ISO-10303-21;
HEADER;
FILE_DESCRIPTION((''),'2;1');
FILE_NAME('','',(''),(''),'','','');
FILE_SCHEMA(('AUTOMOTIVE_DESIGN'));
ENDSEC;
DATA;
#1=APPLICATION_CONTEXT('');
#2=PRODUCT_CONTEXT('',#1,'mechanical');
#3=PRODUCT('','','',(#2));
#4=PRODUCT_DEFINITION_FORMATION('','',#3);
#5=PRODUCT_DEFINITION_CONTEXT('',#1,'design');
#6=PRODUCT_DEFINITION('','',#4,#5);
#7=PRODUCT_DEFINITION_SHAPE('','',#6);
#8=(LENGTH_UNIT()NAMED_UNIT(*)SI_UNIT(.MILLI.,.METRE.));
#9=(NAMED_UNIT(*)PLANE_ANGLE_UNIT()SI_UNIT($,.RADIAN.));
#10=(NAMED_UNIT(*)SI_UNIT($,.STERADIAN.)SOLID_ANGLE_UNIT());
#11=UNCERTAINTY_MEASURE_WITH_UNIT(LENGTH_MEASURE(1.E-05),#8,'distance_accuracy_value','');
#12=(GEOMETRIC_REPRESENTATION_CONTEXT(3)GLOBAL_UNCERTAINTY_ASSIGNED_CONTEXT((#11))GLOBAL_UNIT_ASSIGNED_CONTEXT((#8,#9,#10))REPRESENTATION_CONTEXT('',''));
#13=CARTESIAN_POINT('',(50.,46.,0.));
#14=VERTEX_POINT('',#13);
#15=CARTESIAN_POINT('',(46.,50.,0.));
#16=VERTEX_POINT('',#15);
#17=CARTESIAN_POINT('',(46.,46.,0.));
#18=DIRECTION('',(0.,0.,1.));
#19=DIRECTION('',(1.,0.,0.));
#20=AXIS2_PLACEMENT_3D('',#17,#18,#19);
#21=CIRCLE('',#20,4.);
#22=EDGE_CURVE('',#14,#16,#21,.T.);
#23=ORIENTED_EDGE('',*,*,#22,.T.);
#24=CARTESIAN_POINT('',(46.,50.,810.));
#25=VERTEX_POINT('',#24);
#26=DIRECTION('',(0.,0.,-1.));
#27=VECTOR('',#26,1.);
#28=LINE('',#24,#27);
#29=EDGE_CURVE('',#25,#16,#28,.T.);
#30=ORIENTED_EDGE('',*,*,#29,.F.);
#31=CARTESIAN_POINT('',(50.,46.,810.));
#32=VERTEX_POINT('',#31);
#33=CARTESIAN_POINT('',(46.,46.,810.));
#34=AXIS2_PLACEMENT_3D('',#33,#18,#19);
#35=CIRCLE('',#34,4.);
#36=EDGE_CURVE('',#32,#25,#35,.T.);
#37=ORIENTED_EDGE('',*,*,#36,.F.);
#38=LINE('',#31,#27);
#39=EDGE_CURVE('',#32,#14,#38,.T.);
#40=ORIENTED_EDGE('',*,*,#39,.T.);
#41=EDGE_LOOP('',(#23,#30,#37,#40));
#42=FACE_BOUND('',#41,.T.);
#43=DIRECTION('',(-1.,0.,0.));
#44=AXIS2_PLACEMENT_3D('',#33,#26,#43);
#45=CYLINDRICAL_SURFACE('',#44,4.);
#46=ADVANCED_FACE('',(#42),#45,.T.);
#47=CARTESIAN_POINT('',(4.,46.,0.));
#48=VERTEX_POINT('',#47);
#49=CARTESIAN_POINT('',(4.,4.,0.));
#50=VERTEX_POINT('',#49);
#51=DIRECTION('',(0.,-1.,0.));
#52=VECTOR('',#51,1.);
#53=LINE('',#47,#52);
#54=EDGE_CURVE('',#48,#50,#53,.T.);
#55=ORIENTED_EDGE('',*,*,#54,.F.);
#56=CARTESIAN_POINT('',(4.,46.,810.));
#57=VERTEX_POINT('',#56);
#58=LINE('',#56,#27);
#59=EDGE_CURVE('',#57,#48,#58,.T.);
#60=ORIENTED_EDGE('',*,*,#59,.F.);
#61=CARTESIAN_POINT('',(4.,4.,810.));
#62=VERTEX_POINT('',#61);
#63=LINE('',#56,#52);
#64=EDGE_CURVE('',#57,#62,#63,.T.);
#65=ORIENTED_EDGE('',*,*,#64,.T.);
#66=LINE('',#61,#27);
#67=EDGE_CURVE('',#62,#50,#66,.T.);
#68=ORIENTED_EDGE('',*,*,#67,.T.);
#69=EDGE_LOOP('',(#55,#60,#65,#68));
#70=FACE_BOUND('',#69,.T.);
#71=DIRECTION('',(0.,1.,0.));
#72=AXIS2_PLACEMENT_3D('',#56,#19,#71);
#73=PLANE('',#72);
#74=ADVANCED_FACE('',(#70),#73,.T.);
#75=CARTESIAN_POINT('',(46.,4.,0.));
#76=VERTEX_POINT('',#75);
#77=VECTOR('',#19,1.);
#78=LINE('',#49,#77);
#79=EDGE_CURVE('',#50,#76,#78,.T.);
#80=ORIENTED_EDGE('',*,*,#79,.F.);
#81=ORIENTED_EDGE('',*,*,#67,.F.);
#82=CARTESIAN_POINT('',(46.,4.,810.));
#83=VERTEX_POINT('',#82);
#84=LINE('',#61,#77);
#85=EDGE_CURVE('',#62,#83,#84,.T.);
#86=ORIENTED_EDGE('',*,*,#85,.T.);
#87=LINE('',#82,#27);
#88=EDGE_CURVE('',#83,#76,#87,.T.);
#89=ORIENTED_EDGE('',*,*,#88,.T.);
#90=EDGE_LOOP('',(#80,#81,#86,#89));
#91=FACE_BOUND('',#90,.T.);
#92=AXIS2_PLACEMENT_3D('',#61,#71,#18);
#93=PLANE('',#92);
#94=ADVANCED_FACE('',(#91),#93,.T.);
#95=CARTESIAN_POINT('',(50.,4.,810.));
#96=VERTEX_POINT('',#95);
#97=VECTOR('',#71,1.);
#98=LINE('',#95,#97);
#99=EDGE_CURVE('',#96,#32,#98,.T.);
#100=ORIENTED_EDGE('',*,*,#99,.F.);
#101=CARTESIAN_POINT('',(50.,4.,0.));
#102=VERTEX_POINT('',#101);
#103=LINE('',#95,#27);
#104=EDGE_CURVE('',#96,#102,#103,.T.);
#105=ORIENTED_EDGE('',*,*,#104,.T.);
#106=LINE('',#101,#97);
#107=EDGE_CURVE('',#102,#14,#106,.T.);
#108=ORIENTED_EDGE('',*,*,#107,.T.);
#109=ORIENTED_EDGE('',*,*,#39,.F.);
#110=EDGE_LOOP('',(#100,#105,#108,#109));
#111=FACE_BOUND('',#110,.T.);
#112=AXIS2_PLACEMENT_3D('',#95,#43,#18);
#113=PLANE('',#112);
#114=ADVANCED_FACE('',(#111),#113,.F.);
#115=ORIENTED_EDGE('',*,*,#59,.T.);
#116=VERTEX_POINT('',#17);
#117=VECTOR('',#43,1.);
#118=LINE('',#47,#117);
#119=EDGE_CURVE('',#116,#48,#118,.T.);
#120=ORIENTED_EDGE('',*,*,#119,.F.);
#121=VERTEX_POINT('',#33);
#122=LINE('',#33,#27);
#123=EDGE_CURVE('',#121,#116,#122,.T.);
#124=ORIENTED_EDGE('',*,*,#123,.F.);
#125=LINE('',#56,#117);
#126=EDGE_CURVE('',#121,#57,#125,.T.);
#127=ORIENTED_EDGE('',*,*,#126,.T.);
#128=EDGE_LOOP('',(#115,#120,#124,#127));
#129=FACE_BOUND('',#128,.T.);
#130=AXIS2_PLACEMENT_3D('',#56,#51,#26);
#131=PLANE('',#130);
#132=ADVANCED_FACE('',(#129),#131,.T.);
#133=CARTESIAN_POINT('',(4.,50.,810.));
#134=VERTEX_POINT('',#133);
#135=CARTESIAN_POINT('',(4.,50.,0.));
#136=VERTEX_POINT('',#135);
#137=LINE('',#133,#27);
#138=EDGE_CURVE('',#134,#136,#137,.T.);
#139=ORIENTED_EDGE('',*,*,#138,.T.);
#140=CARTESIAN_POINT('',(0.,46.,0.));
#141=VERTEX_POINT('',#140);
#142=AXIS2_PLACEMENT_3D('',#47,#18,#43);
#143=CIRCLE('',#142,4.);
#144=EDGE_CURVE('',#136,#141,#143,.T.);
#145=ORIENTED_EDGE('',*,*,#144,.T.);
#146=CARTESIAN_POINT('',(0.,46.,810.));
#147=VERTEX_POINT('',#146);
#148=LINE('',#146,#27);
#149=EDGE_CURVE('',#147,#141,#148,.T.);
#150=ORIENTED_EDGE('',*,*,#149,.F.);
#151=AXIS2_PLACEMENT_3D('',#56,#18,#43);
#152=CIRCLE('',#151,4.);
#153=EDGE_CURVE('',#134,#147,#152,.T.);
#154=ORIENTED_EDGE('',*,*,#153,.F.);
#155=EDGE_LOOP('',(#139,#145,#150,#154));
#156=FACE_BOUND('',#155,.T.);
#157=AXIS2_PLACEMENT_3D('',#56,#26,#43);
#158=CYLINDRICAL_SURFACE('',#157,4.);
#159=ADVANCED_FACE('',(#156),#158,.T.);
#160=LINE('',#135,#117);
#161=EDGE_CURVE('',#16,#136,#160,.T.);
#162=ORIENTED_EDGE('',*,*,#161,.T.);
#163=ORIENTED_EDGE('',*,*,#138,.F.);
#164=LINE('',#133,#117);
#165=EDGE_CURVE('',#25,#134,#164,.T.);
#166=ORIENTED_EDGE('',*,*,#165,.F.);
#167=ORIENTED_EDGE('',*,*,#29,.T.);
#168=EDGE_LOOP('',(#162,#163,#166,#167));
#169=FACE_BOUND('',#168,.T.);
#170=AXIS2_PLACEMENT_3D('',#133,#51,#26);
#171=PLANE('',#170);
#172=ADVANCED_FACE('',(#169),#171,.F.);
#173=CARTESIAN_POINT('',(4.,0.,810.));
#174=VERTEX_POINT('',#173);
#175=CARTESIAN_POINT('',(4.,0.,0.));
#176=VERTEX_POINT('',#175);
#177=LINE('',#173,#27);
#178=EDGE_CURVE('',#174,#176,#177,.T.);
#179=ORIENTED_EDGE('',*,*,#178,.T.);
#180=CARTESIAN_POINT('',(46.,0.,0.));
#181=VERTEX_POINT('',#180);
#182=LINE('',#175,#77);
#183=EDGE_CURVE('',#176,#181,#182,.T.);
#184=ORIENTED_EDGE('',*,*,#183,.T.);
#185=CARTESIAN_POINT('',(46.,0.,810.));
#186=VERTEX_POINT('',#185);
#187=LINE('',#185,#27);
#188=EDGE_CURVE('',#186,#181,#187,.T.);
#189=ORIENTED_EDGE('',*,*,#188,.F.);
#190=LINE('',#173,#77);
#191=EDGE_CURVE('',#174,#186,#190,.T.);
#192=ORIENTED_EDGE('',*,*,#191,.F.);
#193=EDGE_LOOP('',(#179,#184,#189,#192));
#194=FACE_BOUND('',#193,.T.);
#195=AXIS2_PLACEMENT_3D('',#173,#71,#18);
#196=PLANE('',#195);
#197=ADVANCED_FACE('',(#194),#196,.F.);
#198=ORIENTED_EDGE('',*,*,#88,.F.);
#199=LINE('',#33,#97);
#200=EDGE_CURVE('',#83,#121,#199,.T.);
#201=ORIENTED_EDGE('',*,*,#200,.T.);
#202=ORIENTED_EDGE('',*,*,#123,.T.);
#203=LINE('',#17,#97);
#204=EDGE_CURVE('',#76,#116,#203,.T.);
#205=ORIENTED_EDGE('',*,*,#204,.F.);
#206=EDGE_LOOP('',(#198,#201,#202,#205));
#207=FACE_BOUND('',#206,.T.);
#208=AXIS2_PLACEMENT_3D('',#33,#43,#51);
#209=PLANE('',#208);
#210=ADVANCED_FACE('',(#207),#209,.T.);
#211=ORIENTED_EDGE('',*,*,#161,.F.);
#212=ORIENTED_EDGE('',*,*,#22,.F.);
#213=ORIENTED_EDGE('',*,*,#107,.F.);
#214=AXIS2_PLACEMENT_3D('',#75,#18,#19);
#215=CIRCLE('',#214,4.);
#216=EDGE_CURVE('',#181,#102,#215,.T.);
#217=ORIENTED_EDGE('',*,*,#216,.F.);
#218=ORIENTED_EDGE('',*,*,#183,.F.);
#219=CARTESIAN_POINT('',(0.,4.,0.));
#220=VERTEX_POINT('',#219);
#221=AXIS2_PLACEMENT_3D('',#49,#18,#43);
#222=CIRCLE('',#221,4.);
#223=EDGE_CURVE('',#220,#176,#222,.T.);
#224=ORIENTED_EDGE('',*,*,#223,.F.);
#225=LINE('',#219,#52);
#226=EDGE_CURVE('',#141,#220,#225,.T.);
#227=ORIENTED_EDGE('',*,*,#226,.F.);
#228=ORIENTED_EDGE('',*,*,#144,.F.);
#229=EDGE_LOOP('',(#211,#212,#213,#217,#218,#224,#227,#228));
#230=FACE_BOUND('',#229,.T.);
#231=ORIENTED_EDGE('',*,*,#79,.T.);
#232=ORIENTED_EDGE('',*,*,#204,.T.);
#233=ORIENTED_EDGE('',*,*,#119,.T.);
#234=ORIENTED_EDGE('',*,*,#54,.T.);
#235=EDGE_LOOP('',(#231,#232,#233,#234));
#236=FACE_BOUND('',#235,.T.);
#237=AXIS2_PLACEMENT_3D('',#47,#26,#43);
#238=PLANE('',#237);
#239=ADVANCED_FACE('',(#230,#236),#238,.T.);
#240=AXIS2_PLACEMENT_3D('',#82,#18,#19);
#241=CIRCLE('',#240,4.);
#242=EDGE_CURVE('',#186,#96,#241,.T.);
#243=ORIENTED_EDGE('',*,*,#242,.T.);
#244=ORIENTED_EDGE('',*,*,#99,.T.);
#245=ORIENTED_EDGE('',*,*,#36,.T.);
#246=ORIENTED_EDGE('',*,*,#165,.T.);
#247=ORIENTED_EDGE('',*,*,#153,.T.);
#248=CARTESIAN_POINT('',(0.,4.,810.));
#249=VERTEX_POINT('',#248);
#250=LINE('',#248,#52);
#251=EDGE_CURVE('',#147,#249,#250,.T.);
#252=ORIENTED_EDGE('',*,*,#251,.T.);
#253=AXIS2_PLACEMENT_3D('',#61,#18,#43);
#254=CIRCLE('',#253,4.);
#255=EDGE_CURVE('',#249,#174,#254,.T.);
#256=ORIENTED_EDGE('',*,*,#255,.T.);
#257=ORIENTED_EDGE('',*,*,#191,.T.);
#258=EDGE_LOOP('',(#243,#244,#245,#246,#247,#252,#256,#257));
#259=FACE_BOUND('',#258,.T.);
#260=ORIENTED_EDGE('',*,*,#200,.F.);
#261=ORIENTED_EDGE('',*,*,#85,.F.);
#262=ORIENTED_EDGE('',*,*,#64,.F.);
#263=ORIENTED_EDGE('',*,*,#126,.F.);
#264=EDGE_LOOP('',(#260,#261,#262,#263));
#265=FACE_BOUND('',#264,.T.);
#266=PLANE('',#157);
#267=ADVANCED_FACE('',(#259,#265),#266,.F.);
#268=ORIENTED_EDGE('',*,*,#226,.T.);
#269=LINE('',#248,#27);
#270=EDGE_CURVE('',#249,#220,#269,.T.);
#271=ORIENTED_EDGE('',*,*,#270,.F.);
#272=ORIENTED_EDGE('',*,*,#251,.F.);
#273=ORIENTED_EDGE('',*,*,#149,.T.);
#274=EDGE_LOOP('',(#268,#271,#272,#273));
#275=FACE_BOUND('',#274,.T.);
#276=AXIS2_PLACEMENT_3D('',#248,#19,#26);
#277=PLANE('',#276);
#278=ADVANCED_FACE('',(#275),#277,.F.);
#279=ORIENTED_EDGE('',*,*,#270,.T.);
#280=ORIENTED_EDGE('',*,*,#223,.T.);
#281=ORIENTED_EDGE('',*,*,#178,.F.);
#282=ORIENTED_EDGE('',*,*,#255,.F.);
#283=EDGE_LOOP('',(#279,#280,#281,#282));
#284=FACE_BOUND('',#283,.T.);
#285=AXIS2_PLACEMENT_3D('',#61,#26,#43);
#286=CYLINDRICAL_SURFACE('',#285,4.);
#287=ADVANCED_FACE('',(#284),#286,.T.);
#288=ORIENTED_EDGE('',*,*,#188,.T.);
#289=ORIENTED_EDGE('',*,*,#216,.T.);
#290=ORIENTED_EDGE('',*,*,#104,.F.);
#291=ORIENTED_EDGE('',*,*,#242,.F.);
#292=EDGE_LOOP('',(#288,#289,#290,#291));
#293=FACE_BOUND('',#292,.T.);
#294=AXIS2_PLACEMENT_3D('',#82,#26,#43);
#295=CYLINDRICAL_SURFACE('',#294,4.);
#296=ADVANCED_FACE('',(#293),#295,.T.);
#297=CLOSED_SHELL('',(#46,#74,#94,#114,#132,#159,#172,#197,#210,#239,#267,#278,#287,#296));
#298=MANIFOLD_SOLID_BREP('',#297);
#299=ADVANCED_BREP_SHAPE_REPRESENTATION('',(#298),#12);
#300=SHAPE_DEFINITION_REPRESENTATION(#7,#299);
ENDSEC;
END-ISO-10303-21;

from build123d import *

# Parameters (mm, degrees)
SKETCH_1_W      = 42
SKETCH_1_H      = 42
EXTRUDE_1_DEPTH = 810


with BuildPart() as part:
    # Эскиз1 → Бобышка-Вытянуть1 (new body)
    with BuildSketch(Plane.XY):
        with BuildLine():
            Line((4, 0), (46, 0))
            ThreePointArc((46, 0), (48.828427125, 1.171572875), (50, 4))
            Line((50, 4), (50, 46))
            ThreePointArc((50, 46), (48.828427125, 48.828427125), (46, 50))
            Line((46, 50), (4, 50))
            ThreePointArc((4, 50), (1.171572875, 48.828427125), (0, 46))
            Line((0, 46), (0, 4))
            ThreePointArc((0, 4), (1.171572875, 1.171572875), (4, 0))
        make_face()
        with Locations((25, 25)):
            Rectangle(SKETCH_1_W, SKETCH_1_H, mode=Mode.SUBTRACT)
    extrude(amount=EXTRUDE_1_DEPTH)


solid = part.part
